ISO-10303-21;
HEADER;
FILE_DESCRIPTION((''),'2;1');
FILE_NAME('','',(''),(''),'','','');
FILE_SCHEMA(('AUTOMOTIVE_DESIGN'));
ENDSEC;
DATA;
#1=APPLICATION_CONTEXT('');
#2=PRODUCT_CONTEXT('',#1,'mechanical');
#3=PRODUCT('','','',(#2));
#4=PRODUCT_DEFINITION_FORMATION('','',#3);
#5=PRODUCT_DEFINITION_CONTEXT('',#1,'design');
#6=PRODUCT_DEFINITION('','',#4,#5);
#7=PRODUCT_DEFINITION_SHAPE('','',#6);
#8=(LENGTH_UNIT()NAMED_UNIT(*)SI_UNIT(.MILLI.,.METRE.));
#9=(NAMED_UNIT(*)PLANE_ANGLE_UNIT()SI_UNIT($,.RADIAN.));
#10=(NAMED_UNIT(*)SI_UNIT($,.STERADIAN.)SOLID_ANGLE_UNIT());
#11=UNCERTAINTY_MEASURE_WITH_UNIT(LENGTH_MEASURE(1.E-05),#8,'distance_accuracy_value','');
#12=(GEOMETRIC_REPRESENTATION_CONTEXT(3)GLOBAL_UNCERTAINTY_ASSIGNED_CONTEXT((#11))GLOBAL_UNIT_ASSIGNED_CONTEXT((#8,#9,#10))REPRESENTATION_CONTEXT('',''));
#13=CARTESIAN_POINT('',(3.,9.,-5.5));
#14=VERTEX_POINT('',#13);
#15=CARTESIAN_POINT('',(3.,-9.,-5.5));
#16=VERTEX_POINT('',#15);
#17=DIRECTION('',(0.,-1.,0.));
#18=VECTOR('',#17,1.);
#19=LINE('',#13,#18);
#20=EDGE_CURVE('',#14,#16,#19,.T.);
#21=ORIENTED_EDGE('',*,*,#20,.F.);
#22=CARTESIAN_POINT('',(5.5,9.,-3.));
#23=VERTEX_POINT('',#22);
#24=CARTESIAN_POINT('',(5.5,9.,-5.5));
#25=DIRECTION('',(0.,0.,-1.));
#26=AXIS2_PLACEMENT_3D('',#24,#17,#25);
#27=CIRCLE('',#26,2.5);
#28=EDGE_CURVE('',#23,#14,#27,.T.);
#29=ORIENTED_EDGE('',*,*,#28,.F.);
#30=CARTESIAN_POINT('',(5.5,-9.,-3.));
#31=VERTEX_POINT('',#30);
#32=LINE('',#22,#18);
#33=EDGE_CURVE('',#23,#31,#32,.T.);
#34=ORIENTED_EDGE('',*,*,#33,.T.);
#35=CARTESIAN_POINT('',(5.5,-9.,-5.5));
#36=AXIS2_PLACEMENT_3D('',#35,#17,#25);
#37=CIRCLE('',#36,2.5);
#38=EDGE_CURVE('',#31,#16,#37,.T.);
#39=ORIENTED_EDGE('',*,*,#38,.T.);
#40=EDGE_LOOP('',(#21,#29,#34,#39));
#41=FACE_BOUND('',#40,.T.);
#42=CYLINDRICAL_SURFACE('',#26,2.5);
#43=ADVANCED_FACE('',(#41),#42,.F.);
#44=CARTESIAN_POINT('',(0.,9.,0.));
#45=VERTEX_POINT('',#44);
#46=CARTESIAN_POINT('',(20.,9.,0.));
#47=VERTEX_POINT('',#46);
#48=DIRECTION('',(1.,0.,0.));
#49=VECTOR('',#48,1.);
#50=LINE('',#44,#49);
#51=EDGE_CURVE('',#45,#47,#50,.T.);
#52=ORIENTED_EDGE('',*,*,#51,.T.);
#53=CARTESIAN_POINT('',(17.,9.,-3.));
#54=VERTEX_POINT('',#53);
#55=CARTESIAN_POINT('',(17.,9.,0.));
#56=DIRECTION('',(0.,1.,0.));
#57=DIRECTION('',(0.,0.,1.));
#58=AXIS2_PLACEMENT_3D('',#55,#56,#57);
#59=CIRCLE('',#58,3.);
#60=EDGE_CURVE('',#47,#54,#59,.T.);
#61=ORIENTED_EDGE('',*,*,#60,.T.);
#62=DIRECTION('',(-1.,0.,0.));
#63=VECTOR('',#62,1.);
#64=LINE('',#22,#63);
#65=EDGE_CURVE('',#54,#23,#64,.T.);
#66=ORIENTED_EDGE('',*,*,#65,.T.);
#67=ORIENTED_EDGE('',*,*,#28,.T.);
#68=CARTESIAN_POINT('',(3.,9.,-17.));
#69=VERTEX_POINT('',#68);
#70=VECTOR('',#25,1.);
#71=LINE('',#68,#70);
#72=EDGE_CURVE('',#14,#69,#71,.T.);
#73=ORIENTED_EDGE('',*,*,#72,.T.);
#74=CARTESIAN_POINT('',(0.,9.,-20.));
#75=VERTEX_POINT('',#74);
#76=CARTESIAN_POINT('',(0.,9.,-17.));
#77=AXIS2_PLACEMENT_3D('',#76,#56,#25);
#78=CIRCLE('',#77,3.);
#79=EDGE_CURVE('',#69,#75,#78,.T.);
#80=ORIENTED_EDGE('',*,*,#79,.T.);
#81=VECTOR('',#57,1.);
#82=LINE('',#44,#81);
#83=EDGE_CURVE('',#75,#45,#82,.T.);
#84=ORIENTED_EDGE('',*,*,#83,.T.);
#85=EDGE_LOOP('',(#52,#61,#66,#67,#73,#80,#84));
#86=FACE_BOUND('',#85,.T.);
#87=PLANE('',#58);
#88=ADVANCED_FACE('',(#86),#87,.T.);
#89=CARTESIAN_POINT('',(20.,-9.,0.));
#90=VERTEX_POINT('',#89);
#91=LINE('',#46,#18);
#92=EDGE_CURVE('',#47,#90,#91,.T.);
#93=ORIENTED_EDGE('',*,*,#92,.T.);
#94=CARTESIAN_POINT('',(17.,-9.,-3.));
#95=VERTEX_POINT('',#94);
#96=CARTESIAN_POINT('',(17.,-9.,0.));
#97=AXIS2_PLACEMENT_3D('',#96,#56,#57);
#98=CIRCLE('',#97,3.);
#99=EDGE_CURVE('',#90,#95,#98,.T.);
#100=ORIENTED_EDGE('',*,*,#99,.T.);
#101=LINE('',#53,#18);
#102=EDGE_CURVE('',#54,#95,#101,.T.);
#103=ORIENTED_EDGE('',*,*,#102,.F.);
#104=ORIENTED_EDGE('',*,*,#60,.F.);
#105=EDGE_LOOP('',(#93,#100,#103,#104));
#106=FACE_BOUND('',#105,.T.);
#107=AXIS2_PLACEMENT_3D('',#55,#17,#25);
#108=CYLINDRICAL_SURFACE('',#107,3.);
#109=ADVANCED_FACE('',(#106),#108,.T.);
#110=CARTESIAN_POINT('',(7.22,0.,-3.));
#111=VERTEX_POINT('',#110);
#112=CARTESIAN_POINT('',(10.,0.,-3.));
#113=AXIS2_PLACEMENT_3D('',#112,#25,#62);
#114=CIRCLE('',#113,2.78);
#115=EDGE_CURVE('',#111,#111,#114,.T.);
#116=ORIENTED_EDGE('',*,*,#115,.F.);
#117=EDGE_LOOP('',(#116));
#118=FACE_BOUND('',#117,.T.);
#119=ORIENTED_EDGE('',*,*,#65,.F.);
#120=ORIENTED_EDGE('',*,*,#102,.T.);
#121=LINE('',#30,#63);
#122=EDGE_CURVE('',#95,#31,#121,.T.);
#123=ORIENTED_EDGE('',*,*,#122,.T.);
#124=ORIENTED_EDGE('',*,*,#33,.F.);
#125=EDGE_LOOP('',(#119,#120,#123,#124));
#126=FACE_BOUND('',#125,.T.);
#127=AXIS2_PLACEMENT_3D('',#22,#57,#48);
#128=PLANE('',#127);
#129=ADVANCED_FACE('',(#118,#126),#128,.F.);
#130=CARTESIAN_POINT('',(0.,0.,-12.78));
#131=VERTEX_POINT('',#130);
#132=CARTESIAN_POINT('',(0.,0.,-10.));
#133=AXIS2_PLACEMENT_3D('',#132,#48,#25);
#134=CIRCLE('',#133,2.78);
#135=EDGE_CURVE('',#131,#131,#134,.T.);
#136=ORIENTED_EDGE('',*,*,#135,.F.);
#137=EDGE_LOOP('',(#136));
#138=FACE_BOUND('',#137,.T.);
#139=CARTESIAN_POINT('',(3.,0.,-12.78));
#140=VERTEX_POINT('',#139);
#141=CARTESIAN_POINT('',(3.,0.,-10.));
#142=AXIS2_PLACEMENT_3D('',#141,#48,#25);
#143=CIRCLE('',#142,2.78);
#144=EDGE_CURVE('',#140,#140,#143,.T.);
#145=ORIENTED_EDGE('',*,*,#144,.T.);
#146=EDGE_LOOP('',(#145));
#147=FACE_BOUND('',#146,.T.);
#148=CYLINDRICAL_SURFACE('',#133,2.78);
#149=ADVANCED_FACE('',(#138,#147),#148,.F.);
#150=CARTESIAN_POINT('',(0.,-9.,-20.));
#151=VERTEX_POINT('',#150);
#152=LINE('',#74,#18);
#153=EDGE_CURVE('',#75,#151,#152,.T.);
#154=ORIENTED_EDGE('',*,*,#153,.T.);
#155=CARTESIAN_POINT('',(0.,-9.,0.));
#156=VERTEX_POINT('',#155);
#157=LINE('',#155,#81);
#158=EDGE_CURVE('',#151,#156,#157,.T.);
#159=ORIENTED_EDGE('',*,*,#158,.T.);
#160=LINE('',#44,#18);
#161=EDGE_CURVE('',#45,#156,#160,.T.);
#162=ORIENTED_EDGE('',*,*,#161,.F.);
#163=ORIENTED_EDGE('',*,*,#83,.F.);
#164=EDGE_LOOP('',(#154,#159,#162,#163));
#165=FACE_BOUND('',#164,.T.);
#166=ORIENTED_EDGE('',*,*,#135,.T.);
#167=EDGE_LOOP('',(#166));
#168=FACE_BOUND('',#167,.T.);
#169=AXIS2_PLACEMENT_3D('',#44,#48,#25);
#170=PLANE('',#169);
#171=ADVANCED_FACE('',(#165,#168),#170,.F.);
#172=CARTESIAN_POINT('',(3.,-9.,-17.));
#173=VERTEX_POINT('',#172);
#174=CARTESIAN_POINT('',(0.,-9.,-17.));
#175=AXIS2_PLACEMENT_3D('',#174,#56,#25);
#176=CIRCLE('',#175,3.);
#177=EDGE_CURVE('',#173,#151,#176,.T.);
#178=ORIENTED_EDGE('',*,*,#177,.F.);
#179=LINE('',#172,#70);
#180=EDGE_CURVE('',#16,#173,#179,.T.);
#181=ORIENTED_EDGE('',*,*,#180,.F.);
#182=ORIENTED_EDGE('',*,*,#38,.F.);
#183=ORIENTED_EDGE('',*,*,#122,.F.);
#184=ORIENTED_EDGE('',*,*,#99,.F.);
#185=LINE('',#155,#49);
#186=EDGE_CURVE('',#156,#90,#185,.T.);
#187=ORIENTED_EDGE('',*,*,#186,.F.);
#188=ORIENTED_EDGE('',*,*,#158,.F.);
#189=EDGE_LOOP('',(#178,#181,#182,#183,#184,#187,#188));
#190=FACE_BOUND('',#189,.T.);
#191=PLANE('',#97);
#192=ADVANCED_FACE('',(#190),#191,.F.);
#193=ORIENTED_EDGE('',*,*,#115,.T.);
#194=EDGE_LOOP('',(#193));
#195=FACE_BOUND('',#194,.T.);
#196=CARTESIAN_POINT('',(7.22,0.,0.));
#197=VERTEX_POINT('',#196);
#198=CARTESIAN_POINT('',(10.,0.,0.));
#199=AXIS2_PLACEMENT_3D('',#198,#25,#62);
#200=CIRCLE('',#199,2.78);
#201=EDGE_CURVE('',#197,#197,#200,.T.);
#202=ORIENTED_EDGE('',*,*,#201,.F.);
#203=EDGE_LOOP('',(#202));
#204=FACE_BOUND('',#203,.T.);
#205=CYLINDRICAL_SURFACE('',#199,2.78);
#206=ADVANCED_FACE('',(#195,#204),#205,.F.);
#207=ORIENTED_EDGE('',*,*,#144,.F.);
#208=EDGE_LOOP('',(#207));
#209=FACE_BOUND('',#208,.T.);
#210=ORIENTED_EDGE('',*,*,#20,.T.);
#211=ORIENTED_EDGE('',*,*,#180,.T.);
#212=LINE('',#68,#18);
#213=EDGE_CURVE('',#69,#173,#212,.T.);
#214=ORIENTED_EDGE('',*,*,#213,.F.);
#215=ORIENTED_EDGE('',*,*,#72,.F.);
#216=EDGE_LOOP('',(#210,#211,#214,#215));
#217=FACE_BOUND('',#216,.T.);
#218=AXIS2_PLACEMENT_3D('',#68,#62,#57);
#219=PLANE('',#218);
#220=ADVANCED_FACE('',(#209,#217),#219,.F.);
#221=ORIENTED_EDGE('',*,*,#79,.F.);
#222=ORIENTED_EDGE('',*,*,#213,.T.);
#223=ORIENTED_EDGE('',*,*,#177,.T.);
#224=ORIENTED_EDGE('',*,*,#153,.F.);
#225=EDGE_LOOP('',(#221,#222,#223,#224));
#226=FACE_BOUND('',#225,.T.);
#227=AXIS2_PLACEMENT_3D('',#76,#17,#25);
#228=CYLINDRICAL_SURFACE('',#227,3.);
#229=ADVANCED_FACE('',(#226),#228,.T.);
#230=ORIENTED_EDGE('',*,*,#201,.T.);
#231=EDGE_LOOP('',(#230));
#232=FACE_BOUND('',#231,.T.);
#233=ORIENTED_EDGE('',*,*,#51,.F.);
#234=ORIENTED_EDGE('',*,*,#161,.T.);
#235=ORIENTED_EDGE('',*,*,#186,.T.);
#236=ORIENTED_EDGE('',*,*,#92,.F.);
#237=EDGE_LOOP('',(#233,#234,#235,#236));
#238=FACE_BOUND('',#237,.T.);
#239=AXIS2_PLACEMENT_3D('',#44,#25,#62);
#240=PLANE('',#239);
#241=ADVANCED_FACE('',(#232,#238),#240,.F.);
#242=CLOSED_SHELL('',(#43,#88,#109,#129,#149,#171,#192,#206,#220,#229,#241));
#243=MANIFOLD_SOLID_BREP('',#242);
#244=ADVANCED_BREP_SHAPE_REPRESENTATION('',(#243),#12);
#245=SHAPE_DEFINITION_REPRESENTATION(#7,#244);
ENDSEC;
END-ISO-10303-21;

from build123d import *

# Parameters (mm, degrees)
BOSS_EXTRUDE1_DEPTH = 9
SKETCH2_R           = 2.78
CUT_EXTRUDE1_DEPTH  = 28.748873851
SKETCH3_R           = 2.78
CUT_EXTRUDE2_DEPTH  = 28.748873851


with BuildPart() as part:
    # Sketch1 → Boss-Extrude1 (new, symmetric)
    with BuildSketch(Plane(origin=(0, 0, 0), x_dir=(1, 0, 0), z_dir=(0, 1, 0))):
        with BuildLine():
            Line((0, 0), (0, 20))
            ThreePointArc((0, 20), (2.121320344, 19.121320344), (3, 17))
            Line((3, 17), (3, 5.5))
            ThreePointArc((3, 5.5), (3.732233047, 3.732233047), (5.5, 3))
            Line((5.5, 3), (17, 3))
            ThreePointArc((17, 3), (19.121320344, 2.121320344), (20, 0))
            Line((20, 0), (0, 0))
        make_face()
    extrude(amount=BOSS_EXTRUDE1_DEPTH, both=True)

    # Sketch2 → Cut-Extrude1 (cut, through all)
    with BuildSketch(Plane(origin=(0, 0, -3), x_dir=(-1, 0, 0), z_dir=(0, 0, -1))):
        with Locations((-10, 0)):
            Circle(SKETCH2_R)
    extrude(amount=-CUT_EXTRUDE1_DEPTH, mode=Mode.SUBTRACT)

    # Sketch3 → Cut-Extrude2 (cut, through all)
    with BuildSketch(Plane(origin=(3, 0, 0), x_dir=(0, 0, -1), z_dir=(1, 0, 0))):
        with Locations((10, 0)):
            Circle(SKETCH3_R)
    extrude(amount=-CUT_EXTRUDE2_DEPTH, mode=Mode.SUBTRACT)


solid = part.part
